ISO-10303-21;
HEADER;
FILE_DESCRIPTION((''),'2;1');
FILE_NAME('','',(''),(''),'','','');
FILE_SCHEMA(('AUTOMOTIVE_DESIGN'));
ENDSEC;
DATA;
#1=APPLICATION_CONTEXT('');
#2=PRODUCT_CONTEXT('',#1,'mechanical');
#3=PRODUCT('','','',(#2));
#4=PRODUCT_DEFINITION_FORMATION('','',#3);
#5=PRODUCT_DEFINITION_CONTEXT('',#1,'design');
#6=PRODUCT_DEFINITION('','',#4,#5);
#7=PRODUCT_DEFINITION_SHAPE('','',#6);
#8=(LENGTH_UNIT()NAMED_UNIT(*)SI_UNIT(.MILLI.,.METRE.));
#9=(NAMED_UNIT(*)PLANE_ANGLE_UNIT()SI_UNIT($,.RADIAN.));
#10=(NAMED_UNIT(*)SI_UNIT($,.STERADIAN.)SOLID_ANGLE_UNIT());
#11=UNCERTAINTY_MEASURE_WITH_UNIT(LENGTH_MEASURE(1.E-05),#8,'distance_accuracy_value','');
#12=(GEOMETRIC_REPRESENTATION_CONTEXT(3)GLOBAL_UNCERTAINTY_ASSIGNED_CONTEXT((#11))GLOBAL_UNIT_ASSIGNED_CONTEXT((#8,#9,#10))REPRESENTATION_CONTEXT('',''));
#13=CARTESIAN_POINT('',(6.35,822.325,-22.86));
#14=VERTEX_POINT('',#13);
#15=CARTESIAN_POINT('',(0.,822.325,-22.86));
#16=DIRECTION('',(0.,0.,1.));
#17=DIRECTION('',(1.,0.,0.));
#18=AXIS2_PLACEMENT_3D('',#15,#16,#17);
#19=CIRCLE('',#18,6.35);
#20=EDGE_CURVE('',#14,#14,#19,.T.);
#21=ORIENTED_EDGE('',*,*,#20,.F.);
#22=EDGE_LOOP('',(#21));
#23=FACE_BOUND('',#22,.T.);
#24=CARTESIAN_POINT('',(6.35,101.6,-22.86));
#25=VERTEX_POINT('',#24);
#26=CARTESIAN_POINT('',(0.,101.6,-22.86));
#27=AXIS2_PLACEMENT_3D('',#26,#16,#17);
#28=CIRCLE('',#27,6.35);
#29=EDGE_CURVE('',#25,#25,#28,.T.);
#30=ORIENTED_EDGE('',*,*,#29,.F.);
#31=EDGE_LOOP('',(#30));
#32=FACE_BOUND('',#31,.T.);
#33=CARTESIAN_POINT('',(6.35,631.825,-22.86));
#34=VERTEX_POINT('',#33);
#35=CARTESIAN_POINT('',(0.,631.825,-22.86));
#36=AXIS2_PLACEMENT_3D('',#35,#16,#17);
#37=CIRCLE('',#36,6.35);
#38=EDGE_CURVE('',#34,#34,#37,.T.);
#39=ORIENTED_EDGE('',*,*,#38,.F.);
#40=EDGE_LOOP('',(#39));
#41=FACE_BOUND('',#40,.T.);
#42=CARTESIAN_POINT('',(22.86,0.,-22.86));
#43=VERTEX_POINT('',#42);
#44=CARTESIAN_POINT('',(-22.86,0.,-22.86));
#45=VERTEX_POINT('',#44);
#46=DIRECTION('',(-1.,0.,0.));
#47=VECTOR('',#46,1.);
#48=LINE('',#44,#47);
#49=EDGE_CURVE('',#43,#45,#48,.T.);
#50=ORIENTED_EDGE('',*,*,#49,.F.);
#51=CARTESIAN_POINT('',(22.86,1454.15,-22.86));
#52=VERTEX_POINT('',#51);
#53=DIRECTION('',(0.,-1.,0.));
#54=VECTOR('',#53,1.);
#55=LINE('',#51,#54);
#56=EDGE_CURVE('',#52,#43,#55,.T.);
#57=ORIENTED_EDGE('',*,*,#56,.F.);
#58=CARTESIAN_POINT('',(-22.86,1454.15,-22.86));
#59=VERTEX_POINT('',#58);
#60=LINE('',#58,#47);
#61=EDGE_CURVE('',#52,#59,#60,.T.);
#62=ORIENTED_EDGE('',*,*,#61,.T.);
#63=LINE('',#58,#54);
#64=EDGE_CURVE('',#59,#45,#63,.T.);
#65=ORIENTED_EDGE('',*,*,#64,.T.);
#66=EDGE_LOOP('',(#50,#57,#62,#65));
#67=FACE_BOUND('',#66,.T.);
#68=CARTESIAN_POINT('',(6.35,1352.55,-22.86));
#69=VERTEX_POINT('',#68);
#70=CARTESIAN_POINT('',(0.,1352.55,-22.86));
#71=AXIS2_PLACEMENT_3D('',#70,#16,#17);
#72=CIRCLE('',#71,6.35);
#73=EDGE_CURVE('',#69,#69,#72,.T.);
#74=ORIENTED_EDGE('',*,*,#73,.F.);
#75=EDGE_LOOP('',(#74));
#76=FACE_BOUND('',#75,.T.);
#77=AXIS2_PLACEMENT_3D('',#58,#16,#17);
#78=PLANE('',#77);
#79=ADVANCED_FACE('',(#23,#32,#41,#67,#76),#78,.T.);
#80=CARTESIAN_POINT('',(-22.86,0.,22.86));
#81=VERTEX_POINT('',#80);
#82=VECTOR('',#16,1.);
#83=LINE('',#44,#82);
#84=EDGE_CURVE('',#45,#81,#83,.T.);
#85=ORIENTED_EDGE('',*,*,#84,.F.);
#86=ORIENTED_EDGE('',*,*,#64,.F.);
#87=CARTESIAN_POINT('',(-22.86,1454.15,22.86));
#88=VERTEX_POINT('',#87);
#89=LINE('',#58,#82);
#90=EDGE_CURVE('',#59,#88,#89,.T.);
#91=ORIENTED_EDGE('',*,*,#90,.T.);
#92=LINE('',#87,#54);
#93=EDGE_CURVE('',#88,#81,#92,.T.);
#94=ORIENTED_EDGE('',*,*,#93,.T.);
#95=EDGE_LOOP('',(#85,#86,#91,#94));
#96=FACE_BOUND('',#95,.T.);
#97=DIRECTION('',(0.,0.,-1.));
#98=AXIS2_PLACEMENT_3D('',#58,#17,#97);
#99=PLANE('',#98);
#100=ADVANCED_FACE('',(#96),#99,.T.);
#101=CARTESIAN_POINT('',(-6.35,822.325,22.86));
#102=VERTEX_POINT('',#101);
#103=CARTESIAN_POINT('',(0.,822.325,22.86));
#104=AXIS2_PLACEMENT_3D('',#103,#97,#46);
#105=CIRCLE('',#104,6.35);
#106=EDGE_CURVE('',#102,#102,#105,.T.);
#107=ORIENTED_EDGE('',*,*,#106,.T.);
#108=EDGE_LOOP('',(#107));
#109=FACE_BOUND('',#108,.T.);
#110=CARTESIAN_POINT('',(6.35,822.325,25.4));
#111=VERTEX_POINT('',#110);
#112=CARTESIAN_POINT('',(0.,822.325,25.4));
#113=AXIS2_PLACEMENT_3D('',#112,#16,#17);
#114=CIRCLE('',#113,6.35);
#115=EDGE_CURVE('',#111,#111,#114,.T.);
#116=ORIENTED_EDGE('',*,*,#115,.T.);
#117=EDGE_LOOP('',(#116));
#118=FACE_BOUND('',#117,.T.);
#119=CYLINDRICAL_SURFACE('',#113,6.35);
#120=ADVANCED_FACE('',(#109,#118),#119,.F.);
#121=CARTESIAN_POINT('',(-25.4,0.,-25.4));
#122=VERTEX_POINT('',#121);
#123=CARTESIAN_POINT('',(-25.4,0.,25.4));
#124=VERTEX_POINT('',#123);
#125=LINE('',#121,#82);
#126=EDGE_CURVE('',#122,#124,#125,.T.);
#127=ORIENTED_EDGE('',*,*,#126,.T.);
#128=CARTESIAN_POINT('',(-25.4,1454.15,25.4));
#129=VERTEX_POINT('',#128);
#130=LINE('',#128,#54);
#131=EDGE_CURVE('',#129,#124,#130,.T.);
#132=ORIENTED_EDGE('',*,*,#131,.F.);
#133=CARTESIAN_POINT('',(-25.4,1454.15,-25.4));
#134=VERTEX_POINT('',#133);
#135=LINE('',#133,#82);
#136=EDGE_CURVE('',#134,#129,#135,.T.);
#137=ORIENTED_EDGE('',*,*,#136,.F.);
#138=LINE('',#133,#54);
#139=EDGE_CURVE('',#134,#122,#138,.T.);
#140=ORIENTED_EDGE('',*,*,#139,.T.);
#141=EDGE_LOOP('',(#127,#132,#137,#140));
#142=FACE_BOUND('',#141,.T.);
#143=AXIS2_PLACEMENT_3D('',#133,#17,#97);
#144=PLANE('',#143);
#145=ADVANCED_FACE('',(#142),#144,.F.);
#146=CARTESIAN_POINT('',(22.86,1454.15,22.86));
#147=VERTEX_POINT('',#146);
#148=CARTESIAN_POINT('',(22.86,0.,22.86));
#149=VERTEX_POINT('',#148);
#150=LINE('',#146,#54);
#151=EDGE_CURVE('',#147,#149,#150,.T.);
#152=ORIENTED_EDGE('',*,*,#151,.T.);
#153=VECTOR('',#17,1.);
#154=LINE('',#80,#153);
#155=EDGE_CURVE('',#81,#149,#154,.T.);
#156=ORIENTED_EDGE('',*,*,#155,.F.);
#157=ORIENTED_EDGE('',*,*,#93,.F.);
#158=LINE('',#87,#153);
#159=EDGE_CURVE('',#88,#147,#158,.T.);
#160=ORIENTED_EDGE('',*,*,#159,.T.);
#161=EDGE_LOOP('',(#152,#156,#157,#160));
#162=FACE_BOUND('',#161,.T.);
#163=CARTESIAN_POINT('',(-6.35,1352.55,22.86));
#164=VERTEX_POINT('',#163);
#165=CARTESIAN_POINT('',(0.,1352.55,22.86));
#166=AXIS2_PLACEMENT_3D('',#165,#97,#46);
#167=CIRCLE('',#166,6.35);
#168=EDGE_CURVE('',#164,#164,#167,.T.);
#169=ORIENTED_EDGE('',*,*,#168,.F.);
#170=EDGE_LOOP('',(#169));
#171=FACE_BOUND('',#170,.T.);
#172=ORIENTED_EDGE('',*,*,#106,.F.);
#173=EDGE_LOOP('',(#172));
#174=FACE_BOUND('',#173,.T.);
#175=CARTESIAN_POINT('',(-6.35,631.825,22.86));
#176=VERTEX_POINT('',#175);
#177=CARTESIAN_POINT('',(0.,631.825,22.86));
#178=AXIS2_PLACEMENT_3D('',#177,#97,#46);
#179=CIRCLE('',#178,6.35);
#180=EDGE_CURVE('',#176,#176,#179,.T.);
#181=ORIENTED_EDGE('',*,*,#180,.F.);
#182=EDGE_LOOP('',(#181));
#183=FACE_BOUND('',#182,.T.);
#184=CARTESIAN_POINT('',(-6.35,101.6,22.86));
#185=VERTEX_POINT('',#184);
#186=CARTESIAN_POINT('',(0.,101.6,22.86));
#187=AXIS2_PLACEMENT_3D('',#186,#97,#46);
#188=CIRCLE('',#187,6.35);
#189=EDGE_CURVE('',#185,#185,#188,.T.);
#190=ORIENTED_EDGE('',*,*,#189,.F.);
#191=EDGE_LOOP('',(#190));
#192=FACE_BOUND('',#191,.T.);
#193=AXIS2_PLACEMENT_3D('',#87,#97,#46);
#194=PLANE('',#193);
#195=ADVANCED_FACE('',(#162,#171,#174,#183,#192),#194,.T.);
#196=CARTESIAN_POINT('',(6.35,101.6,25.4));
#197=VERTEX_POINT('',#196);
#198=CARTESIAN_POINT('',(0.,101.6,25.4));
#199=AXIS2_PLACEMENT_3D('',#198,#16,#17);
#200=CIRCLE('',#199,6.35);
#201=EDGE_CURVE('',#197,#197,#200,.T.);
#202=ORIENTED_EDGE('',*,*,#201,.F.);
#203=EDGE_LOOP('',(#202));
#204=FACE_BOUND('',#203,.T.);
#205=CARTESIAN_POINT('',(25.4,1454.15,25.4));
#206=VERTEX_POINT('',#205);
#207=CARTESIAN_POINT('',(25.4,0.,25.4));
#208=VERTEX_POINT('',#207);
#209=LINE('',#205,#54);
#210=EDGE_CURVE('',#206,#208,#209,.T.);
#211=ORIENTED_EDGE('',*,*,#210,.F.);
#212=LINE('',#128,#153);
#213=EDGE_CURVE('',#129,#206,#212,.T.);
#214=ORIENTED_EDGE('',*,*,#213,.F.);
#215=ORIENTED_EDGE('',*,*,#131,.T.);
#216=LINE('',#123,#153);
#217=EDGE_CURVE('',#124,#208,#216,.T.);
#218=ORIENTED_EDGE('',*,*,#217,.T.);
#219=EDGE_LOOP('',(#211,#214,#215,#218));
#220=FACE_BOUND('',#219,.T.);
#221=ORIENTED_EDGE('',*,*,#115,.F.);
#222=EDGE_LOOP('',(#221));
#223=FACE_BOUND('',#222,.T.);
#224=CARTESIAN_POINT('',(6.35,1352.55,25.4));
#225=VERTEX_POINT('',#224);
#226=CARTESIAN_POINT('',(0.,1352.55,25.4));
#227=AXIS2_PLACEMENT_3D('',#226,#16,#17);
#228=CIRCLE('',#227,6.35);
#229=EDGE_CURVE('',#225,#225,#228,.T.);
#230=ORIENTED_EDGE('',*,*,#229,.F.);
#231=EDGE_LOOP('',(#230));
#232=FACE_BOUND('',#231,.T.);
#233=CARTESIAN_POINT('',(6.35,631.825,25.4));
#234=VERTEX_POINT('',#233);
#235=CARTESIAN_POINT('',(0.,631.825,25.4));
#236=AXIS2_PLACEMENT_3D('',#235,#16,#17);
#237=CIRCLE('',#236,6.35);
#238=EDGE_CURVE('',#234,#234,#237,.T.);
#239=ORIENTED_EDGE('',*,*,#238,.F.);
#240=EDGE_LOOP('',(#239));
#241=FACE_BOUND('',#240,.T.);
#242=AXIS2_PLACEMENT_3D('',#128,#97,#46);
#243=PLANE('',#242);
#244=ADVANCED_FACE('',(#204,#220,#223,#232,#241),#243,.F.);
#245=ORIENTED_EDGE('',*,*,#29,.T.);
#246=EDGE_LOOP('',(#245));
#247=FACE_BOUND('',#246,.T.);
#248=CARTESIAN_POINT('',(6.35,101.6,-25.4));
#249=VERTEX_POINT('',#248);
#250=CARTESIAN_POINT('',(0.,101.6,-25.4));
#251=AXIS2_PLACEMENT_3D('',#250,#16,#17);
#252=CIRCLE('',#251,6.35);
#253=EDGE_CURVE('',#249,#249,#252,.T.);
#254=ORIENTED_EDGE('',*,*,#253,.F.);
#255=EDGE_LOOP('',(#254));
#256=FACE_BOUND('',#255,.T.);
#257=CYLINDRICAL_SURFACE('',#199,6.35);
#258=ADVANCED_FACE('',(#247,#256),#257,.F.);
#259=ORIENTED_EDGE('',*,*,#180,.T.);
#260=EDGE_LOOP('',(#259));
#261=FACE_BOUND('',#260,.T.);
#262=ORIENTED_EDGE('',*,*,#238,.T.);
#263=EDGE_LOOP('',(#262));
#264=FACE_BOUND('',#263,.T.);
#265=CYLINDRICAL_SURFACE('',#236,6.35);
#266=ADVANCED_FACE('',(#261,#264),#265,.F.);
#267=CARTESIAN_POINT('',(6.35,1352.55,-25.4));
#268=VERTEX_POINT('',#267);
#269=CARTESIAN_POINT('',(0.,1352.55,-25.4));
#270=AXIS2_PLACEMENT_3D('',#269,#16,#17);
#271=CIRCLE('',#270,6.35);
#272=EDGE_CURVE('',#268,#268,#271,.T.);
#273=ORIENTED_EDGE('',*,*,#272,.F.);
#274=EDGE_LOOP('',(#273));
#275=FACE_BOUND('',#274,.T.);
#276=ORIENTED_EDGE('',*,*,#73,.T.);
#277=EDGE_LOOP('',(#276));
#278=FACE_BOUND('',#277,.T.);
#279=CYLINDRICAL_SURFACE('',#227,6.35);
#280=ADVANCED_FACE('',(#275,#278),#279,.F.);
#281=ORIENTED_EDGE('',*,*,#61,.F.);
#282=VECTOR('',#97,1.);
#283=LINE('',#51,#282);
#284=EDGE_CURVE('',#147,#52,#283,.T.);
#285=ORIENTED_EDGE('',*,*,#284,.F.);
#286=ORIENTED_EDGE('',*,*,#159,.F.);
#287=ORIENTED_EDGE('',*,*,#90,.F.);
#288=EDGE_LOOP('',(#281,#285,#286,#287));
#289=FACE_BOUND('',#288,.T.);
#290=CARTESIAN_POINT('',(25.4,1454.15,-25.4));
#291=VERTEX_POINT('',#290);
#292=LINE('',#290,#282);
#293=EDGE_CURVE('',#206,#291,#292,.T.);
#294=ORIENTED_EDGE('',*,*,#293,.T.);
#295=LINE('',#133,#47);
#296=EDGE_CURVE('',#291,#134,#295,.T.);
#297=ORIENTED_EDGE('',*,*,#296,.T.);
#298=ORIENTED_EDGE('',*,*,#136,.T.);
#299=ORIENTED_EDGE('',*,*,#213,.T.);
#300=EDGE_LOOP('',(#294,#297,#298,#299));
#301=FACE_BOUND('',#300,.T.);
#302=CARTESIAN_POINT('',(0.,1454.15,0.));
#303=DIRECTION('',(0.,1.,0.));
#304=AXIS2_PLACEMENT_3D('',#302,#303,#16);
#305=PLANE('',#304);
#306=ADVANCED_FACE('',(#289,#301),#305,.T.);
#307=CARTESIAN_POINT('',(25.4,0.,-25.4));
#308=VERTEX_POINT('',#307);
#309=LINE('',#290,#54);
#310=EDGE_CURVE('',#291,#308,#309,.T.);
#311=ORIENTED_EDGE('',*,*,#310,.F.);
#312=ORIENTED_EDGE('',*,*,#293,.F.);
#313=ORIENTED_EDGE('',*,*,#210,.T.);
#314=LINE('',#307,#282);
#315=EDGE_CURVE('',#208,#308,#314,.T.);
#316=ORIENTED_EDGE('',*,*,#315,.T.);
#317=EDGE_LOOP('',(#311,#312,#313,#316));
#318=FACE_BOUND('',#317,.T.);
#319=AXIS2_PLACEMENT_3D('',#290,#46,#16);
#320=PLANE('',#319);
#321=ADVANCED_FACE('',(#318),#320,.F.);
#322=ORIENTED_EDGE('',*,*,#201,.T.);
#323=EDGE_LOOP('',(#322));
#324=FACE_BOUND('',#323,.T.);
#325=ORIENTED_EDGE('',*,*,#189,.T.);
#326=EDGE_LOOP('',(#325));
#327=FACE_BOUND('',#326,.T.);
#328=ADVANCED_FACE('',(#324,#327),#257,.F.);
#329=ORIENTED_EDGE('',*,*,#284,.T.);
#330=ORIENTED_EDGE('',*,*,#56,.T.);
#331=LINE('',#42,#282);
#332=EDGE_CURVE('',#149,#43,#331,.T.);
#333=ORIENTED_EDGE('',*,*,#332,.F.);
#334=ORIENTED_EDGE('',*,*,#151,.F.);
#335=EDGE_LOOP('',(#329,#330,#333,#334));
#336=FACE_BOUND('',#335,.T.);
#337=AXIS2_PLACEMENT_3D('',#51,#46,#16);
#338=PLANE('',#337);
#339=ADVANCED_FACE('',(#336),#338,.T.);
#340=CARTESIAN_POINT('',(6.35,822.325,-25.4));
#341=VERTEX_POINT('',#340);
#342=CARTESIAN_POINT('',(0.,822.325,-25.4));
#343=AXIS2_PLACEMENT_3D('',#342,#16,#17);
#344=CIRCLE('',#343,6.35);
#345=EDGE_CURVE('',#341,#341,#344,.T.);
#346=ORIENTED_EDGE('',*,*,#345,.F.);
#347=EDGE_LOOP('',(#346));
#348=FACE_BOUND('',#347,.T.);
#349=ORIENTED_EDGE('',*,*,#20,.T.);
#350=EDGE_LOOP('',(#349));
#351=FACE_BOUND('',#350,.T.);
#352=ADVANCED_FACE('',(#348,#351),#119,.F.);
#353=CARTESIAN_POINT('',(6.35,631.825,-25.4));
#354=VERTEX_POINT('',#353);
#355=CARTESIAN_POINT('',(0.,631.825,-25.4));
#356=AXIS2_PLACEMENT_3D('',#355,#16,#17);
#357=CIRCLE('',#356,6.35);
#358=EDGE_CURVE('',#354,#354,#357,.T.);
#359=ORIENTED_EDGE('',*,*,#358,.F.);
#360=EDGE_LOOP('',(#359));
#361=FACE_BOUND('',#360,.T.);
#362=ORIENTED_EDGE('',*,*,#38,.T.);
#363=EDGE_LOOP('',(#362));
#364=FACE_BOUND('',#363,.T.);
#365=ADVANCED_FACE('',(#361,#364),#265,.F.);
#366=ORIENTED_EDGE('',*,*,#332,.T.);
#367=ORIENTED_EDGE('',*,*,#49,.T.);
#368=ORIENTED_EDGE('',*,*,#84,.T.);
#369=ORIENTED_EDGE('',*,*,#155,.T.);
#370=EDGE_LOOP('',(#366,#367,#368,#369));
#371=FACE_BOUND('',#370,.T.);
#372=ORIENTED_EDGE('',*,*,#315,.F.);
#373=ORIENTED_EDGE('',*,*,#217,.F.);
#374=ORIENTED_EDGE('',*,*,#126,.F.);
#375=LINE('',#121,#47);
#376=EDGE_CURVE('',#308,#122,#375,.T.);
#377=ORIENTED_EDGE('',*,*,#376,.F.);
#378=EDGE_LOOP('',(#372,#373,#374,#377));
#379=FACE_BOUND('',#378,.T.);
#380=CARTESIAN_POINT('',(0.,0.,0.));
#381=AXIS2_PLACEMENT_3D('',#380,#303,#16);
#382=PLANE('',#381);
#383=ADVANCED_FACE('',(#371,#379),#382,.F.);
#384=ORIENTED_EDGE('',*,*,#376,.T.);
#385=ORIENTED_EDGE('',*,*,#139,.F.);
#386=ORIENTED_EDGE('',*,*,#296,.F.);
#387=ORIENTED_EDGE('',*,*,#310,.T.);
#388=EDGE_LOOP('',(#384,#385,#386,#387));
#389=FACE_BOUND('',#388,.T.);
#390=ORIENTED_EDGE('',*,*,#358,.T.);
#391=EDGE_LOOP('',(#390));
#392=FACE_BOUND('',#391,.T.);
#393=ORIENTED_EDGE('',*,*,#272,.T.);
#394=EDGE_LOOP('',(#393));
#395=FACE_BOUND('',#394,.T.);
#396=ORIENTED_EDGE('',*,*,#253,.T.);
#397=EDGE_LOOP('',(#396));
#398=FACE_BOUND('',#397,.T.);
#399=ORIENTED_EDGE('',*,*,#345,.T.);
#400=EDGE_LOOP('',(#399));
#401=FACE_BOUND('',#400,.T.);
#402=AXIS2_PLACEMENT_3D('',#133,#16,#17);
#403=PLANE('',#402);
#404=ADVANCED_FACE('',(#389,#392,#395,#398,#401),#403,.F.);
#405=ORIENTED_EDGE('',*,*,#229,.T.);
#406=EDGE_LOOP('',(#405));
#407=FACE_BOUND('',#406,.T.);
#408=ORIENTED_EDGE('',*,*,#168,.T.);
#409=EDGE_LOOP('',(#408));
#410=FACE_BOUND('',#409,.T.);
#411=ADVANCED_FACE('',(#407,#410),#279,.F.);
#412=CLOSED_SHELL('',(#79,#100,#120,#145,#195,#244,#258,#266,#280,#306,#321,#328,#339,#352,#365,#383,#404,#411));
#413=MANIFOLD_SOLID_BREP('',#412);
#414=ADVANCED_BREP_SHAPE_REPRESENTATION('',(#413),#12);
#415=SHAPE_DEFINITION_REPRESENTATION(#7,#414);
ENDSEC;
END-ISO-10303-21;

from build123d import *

# Parameters (mm, degrees)
SKETCH2_W                 = 50.8
SKETCH2_H                 = 50.8
SKETCH2_W_2               = 45.72
SKETCH2_H_2               = 45.72
BOSS_EXTRUDE2_DEPTH       = 1454.15
F_97_0_5_DIAMETER_HOLE1_D = 12.7
F_97_0_5_DIAMETER_HOLE2_D = 12.7


with BuildPart() as part:
    # Sketch2 → Boss-Extrude2 (new body)
    with BuildSketch(Plane(origin=(0, 0, 0), x_dir=(1, 0, 0), z_dir=(0, 1, 0))):
        Rectangle(SKETCH2_W, SKETCH2_H)
        Rectangle(SKETCH2_W_2, SKETCH2_H_2, mode=Mode.SUBTRACT)
    extrude(amount=BOSS_EXTRUDE2_DEPTH)

    # #97 (0.5) Diameter Hole1 (through all)
    with Locations(Plane(origin=(0, 1352.55, 25.4), x_dir=(1, 0, 0), z_dir=(0, 0, 1))):
        with Locations((0, 0), (0, -1250.95)):
            Hole(F_97_0_5_DIAMETER_HOLE1_D / 2)

    # #97 (0.5) Diameter Hole2 (through all)
    with Locations(Plane(origin=(0, 822.325, 25.4), x_dir=(1, 0, 0), z_dir=(0, 0, 1))):
        with Locations((0, 0), (0, -190.5)):
            Hole(F_97_0_5_DIAMETER_HOLE2_D / 2)


solid = part.part
